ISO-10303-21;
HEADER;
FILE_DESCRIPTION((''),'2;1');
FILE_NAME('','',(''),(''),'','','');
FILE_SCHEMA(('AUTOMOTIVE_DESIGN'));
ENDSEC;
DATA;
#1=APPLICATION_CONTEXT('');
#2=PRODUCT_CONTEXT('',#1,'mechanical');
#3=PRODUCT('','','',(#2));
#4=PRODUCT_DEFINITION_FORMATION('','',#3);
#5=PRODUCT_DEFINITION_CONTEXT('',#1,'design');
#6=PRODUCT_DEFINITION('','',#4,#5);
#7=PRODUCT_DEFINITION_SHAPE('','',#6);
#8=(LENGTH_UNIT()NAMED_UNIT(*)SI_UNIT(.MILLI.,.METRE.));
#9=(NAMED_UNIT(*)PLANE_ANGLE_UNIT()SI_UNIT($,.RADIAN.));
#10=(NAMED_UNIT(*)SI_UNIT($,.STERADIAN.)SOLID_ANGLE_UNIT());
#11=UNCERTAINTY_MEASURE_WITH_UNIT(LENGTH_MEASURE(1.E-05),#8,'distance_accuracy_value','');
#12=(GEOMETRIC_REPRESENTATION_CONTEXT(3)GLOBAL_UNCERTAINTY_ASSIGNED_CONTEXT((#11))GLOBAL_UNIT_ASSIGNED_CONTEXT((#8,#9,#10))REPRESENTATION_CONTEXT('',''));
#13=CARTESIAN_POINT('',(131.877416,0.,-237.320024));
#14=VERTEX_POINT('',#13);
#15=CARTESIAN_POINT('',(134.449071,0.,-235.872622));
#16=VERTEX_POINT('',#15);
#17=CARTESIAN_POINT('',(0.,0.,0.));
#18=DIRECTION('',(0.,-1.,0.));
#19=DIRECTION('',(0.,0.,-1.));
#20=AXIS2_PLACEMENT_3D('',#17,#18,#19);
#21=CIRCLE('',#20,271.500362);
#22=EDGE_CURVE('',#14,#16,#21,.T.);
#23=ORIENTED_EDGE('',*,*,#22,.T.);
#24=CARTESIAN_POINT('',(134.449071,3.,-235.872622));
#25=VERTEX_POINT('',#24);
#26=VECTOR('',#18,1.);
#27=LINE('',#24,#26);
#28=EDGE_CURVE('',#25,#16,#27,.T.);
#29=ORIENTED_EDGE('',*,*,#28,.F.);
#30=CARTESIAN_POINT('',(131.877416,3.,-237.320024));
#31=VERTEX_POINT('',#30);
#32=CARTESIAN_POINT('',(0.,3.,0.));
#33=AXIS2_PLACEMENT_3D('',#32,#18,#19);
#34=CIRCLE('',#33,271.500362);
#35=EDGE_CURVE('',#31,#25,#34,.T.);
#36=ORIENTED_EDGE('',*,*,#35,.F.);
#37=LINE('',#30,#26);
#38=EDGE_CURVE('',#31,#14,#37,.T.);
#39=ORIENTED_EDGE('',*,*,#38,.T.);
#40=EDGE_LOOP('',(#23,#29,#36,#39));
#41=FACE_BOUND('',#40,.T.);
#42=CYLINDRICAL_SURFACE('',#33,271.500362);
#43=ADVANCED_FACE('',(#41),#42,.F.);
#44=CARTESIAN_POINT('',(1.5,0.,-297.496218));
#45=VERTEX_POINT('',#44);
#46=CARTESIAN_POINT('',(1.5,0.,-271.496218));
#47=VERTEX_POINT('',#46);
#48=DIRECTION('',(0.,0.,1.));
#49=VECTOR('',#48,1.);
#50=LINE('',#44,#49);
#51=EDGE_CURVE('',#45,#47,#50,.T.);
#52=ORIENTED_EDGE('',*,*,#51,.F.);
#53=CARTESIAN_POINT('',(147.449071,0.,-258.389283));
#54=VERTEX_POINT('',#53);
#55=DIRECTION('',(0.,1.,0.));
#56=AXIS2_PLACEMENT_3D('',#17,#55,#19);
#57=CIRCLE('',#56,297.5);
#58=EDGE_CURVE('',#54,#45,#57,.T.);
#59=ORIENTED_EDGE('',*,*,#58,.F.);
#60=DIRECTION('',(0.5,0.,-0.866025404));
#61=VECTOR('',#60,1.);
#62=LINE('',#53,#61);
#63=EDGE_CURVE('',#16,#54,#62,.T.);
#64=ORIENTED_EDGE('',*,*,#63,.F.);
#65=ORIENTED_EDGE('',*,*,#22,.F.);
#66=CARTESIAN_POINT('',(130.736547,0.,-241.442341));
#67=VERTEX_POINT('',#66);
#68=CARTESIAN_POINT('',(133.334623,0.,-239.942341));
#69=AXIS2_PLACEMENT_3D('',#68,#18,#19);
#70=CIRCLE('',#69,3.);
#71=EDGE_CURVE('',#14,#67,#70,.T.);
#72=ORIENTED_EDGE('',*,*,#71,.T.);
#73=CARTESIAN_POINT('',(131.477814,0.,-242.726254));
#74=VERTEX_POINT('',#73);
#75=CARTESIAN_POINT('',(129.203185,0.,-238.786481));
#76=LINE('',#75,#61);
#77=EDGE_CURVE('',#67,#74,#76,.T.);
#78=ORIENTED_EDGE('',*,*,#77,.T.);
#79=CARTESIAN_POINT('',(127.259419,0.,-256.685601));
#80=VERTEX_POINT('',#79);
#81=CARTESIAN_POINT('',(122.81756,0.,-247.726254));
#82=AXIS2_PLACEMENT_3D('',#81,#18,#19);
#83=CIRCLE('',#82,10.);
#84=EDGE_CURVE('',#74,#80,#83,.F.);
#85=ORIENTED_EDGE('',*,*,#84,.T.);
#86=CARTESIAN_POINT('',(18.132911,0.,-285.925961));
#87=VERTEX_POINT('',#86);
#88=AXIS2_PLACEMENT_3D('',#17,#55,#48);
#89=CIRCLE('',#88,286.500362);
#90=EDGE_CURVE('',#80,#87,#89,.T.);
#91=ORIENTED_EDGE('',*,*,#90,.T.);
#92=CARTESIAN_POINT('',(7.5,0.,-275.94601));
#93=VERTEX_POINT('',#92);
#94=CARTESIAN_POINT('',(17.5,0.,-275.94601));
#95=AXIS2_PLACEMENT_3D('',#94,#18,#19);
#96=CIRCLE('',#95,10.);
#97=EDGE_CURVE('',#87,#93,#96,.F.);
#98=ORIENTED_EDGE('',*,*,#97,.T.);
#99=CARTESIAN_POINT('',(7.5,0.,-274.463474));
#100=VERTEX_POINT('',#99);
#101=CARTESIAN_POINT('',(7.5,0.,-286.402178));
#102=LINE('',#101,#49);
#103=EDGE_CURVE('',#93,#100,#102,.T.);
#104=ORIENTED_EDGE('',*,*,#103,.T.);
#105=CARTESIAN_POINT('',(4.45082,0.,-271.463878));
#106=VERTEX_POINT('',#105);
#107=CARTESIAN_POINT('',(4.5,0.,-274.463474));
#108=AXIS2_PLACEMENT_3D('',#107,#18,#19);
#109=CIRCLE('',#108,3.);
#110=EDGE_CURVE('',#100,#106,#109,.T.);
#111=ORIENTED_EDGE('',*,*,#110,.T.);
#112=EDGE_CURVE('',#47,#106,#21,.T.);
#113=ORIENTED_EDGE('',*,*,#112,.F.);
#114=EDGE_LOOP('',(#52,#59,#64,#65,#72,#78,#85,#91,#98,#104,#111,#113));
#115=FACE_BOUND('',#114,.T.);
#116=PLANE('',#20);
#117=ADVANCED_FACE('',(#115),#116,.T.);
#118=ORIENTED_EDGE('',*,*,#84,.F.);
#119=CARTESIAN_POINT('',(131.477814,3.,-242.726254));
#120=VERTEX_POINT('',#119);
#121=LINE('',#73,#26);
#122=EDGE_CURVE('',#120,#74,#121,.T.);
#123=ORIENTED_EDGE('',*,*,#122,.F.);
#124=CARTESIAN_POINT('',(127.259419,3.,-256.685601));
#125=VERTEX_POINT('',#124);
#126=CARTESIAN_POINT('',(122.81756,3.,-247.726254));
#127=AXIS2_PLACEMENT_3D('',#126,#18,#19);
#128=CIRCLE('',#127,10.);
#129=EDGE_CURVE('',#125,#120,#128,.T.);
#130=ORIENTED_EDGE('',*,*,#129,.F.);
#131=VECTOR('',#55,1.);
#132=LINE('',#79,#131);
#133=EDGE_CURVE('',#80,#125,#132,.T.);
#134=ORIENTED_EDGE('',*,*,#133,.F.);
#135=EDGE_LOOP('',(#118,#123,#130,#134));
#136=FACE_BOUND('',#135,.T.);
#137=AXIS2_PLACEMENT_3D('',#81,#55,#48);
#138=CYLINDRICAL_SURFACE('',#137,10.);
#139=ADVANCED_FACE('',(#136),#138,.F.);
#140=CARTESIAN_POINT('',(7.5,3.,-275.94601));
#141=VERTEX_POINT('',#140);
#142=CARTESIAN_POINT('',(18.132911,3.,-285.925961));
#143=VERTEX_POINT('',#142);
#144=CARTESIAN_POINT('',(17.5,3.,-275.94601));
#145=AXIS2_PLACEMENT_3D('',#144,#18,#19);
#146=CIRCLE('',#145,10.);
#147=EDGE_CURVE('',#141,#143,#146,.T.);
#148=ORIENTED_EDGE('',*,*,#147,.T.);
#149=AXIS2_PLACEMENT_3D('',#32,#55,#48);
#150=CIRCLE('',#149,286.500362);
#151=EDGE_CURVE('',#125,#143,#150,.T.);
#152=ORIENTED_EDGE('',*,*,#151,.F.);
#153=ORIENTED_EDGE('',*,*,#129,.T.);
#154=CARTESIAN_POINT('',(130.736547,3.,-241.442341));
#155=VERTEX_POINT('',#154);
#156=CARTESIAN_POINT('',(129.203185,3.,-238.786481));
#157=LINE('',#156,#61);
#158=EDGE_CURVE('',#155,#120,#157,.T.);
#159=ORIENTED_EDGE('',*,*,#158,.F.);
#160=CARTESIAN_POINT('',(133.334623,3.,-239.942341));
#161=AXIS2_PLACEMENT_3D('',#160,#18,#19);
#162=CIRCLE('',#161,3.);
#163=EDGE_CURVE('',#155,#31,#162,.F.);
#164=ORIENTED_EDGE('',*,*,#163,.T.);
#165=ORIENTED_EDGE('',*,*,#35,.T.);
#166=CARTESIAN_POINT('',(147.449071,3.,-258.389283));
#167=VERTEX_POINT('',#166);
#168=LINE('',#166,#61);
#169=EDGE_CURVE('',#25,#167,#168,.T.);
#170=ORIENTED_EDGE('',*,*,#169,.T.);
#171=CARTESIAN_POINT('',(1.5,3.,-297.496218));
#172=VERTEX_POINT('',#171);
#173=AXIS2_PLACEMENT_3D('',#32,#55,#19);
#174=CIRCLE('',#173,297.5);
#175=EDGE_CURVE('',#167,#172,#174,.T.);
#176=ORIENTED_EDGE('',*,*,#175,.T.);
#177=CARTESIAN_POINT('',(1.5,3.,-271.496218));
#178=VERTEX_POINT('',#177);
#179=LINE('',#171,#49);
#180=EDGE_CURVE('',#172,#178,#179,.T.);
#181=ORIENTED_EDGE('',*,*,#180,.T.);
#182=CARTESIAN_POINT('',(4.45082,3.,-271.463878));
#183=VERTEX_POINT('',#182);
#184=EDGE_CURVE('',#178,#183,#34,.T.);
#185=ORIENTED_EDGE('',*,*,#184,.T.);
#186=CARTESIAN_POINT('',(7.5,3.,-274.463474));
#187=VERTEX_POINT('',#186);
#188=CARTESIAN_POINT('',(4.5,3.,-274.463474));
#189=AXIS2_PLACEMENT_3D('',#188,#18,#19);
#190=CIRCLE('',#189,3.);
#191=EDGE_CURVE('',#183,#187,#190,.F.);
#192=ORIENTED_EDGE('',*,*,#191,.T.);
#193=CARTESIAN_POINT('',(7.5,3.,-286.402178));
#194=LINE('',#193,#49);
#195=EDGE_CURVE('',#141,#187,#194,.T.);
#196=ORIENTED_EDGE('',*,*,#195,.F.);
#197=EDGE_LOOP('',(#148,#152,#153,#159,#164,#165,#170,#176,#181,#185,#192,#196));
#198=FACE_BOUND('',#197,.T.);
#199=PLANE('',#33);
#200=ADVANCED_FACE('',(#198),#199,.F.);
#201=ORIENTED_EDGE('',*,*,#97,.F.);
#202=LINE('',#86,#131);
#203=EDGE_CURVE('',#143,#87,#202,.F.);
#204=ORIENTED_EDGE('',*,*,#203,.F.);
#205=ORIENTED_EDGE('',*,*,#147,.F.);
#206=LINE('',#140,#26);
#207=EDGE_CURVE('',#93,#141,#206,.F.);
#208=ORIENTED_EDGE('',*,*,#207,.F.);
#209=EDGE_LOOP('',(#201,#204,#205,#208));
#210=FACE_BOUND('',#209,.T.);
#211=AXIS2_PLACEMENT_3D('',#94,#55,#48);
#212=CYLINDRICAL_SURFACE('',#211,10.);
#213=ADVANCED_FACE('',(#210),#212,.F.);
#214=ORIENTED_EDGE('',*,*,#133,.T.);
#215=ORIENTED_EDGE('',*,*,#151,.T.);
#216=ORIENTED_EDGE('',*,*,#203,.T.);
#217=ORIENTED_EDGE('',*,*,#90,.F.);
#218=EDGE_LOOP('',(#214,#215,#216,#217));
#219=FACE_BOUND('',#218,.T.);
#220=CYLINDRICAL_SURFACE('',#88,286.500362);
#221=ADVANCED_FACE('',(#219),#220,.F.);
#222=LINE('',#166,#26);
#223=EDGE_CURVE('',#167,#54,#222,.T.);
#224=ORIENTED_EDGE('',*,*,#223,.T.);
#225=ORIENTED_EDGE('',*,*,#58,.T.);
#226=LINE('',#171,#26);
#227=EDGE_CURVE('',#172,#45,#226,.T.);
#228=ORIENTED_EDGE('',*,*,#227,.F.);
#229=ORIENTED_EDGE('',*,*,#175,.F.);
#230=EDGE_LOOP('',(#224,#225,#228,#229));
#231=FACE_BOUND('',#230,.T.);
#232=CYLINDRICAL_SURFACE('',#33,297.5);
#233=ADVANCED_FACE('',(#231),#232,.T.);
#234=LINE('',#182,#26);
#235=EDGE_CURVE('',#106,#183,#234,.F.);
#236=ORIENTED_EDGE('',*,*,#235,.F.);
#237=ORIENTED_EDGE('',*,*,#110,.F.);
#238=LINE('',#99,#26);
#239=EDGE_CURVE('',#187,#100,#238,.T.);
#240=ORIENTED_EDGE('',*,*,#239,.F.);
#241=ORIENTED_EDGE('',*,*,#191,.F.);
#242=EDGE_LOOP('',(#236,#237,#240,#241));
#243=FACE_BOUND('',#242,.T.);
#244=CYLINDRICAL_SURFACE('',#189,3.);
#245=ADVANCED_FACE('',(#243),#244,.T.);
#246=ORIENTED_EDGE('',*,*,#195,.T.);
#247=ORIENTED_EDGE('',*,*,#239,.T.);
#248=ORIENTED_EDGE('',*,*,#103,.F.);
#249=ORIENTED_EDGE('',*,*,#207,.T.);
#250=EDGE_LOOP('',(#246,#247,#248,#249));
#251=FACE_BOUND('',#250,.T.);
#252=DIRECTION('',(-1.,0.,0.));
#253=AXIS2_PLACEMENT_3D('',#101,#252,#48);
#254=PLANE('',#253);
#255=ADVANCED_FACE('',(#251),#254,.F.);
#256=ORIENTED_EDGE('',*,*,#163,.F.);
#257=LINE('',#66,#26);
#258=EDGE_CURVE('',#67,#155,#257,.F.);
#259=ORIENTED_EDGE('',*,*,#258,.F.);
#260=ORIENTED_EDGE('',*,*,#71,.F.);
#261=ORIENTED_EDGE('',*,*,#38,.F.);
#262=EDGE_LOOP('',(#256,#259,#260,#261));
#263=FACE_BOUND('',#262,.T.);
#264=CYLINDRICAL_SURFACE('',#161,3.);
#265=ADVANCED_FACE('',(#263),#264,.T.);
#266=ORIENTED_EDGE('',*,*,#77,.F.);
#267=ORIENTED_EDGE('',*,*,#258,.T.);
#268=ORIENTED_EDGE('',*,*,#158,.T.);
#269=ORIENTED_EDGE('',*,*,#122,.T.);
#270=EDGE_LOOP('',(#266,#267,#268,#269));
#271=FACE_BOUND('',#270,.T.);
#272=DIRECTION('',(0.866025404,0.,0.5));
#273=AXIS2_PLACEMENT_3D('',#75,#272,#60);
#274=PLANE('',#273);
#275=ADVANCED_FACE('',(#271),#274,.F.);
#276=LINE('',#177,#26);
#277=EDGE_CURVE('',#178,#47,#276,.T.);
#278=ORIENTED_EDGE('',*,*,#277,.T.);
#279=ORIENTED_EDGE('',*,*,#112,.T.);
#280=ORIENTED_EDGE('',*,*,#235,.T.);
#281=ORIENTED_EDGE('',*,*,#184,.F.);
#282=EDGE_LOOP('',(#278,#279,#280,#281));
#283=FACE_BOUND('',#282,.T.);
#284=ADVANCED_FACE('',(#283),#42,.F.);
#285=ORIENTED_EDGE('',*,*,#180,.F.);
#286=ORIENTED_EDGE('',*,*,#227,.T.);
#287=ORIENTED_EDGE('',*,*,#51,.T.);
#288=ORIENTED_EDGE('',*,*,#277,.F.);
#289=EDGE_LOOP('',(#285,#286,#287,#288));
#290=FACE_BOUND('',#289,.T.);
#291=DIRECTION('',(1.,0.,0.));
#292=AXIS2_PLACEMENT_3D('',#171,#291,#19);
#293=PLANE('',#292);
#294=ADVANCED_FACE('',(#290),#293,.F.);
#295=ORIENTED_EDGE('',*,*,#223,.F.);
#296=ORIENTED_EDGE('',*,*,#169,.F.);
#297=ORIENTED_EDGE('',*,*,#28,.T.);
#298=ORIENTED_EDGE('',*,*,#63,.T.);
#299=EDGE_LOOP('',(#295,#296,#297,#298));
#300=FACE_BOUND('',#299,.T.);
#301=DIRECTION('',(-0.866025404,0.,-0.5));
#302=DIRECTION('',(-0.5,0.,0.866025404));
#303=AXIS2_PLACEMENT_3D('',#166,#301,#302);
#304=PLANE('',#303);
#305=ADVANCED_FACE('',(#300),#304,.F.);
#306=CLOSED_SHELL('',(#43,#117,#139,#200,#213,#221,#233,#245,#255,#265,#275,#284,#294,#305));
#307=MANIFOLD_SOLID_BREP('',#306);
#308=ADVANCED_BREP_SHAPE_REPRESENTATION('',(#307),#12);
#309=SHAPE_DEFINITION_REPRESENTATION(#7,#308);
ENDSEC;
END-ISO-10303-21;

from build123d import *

# Parameters (mm, degrees)
BOSS_EXTRUDE1_DEPTH = 3
CUT_EXTRUDE1_DEPTH  = 3
FILLET1_R           = 10
FILLET2_R           = 3


with BuildPart() as part:
    # Sketch1 → Boss-Extrude1 (new body)
    with BuildSketch(Plane(origin=(0, 0, 0), x_dir=(1, 0, 0), z_dir=(0, 1, 0))):
        with BuildLine():
            Line((1.5, 297.496218463), (1.5, 271.496218463))
            ThreePointArc((1.5, 271.496218463), (70.269464473, 262.249211634), (134.449071126, 235.872622221))
            Line((134.449071126, 235.872622221), (147.449071126, 258.389282719))
            ThreePointArc((147.449071126, 258.389282719), (76.998665918, 287.362933321), (1.5, 297.496218463))
        make_face()
    extrude(amount=BOSS_EXTRUDE1_DEPTH)

    # Sketch3 → Cut-Extrude1 (cut)
    with BuildSketch(Plane(origin=(0, 3, 0), x_dir=(1, 0, 0), z_dir=(0, 1, 0))):
        with BuildLine():
            Line((7.5, 271.396751344), (129.203185143, 238.786481168))
            Line((129.203185143, 238.786481168), (136.70589842, 251.781561758))
            ThreePointArc((136.70589842, 251.781561758), (74.15175015, 276.738099028), (7.5, 286.402177897))
            Line((7.5, 286.402177897), (7.5, 271.396751344))
        make_face()
    extrude(amount=-CUT_EXTRUDE1_DEPTH, mode=Mode.SUBTRACT)

    # Fillet1
    fillet1_edges = [part.edges().sort_by_distance(p)[0] for p in [
        (7.5, 1.5, -286.402177897),
        (136.70589842, 1.5, -251.781561758),
    ]]
    fillet(fillet1_edges, radius=FILLET1_R)

    # Fillet2
    fillet2_edges = [part.edges().sort_by_distance(p)[0] for p in [
        (7.5, 1.5, -271.396751344),
        (129.203185143, 1.5, -238.786481168),
    ]]
    fillet(fillet2_edges, radius=FILLET2_R)


solid = part.part
